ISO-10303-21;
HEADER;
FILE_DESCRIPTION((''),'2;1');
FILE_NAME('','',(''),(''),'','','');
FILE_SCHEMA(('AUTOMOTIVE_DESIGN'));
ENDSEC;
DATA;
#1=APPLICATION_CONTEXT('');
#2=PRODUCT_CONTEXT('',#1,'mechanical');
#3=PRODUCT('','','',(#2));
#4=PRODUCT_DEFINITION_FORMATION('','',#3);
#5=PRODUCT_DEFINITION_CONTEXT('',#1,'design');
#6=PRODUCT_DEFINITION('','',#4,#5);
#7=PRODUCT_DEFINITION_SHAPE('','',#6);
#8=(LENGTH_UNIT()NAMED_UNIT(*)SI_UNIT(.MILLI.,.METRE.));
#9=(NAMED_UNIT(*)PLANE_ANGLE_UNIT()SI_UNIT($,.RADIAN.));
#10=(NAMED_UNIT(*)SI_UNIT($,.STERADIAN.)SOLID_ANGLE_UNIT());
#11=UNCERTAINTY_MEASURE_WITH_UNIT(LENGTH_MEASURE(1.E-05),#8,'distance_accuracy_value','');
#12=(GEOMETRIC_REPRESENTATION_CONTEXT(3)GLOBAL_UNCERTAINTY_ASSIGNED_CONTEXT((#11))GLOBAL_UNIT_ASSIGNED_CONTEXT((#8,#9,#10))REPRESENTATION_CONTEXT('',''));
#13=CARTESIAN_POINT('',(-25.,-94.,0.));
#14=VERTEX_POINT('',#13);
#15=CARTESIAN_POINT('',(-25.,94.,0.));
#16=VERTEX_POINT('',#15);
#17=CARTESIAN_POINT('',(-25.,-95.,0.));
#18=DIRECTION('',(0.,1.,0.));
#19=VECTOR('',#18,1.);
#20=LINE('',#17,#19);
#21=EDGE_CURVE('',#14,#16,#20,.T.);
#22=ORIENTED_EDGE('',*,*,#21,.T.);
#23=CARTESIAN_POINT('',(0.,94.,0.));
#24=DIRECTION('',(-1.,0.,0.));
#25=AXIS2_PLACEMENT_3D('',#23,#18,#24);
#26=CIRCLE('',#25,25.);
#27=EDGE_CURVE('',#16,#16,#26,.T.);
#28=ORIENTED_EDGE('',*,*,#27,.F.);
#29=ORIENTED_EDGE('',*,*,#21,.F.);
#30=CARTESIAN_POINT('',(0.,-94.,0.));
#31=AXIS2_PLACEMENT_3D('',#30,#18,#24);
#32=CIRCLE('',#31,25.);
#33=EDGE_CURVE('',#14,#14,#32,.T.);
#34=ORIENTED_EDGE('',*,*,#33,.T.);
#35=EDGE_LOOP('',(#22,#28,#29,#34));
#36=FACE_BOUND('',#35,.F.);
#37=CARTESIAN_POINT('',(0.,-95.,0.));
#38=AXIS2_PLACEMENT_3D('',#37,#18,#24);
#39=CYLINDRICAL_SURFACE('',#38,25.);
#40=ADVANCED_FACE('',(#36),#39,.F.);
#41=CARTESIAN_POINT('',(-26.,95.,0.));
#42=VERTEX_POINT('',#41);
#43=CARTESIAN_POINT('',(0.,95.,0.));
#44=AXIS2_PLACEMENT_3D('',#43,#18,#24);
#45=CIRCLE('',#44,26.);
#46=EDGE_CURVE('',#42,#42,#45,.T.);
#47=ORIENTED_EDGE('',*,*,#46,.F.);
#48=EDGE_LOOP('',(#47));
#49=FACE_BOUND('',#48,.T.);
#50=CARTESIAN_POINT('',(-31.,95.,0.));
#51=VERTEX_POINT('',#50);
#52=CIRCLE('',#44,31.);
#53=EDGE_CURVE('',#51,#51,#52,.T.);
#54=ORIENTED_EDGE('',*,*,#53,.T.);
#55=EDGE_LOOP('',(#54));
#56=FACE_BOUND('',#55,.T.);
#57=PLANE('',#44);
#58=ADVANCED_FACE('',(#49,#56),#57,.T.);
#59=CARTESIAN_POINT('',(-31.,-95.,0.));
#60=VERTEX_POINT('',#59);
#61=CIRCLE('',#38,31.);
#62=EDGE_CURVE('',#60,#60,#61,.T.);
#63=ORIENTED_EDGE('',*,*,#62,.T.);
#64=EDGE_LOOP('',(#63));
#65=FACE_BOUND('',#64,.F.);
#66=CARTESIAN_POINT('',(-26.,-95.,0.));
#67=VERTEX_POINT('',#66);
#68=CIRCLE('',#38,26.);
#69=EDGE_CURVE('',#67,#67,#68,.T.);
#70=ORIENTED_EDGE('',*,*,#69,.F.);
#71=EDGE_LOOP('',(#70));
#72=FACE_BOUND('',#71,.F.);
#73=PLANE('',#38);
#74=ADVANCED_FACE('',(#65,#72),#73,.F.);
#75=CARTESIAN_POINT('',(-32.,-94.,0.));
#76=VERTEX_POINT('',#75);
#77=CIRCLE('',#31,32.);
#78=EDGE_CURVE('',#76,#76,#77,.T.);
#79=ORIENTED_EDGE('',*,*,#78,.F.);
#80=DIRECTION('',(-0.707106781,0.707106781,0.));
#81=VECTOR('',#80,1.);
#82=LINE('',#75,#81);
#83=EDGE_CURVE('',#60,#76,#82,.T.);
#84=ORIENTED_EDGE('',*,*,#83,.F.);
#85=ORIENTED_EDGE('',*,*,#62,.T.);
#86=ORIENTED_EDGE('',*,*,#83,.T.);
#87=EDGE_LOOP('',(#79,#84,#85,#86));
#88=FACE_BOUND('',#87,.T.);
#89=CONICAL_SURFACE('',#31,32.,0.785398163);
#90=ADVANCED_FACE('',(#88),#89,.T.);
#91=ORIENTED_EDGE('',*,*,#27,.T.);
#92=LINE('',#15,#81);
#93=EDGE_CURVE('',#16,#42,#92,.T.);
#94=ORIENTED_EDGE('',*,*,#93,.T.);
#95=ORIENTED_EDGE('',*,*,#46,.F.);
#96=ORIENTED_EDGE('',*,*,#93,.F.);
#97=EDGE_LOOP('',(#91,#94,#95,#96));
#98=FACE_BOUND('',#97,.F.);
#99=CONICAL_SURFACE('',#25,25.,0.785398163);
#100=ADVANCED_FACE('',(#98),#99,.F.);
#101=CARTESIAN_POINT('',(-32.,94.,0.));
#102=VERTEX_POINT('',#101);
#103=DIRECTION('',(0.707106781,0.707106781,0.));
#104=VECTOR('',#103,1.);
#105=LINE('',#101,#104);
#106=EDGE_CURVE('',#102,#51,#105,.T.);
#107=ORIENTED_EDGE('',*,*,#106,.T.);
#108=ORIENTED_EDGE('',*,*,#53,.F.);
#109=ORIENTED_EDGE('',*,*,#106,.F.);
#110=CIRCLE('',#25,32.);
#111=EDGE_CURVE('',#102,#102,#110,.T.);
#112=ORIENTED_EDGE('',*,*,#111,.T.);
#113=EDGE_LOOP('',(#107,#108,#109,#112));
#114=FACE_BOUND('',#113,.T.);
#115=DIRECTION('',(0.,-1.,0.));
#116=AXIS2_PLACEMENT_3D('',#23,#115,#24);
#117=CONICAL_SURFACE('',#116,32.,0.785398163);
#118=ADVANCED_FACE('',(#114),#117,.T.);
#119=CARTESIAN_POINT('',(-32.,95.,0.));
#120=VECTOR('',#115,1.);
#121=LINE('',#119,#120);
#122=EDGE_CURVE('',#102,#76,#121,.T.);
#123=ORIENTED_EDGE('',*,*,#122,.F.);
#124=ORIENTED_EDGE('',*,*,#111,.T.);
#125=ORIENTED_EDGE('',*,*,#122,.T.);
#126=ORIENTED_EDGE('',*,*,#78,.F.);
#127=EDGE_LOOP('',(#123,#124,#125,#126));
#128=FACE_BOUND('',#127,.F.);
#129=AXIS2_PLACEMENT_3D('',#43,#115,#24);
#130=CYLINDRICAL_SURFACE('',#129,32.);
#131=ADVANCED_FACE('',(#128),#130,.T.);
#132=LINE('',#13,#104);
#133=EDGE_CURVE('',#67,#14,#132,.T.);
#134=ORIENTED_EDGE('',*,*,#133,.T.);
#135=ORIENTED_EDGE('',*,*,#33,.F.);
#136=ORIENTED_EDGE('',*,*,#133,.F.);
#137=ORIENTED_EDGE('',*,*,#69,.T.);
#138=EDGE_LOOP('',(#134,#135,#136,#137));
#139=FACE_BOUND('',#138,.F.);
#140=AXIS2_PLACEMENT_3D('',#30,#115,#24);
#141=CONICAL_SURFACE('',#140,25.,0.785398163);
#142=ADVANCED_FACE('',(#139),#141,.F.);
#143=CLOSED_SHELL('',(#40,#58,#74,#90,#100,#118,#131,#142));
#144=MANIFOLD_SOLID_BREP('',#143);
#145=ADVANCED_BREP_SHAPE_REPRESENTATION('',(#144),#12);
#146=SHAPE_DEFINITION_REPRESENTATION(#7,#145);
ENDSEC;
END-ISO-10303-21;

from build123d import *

# Parameters (mm, degrees)
F0_W    = 7
F0_H    = 95
F2_SIZE = 1
F3_SIZE = 1
F4_SIZE = 1


with BuildPart() as f1:
    # F0 (on Top) → F1 (revolve)
    with BuildSketch(Plane.XY):
        with Locations((-28.5, -47.5)):
            Rectangle(F0_W, F0_H)
        with Locations((-28.5, 47.5)):
            Rectangle(F0_W, F0_H)
    revolve(axis=Axis((0, 0, 0), (0, 1, 0)))

    # F2
    f2_edges = [f1.edges().sort_by_distance(p)[0] for p in [
        (25, -95, 0),
        (-25, 0, 0),
        (25, 95, 0),
    ]]
    chamfer(f2_edges, length=F2_SIZE)

    # F3
    f3_edges = [f1.edges().sort_by_distance(p)[0] for p in [
        (32, -95, 0),
    ]]
    chamfer(f3_edges, length=F3_SIZE)

    # F4
    f4_edges = [f1.edges().sort_by_distance(p)[0] for p in [
        (32, 95, 0),
    ]]
    chamfer(f4_edges, length=F4_SIZE)


solid = f1.part
